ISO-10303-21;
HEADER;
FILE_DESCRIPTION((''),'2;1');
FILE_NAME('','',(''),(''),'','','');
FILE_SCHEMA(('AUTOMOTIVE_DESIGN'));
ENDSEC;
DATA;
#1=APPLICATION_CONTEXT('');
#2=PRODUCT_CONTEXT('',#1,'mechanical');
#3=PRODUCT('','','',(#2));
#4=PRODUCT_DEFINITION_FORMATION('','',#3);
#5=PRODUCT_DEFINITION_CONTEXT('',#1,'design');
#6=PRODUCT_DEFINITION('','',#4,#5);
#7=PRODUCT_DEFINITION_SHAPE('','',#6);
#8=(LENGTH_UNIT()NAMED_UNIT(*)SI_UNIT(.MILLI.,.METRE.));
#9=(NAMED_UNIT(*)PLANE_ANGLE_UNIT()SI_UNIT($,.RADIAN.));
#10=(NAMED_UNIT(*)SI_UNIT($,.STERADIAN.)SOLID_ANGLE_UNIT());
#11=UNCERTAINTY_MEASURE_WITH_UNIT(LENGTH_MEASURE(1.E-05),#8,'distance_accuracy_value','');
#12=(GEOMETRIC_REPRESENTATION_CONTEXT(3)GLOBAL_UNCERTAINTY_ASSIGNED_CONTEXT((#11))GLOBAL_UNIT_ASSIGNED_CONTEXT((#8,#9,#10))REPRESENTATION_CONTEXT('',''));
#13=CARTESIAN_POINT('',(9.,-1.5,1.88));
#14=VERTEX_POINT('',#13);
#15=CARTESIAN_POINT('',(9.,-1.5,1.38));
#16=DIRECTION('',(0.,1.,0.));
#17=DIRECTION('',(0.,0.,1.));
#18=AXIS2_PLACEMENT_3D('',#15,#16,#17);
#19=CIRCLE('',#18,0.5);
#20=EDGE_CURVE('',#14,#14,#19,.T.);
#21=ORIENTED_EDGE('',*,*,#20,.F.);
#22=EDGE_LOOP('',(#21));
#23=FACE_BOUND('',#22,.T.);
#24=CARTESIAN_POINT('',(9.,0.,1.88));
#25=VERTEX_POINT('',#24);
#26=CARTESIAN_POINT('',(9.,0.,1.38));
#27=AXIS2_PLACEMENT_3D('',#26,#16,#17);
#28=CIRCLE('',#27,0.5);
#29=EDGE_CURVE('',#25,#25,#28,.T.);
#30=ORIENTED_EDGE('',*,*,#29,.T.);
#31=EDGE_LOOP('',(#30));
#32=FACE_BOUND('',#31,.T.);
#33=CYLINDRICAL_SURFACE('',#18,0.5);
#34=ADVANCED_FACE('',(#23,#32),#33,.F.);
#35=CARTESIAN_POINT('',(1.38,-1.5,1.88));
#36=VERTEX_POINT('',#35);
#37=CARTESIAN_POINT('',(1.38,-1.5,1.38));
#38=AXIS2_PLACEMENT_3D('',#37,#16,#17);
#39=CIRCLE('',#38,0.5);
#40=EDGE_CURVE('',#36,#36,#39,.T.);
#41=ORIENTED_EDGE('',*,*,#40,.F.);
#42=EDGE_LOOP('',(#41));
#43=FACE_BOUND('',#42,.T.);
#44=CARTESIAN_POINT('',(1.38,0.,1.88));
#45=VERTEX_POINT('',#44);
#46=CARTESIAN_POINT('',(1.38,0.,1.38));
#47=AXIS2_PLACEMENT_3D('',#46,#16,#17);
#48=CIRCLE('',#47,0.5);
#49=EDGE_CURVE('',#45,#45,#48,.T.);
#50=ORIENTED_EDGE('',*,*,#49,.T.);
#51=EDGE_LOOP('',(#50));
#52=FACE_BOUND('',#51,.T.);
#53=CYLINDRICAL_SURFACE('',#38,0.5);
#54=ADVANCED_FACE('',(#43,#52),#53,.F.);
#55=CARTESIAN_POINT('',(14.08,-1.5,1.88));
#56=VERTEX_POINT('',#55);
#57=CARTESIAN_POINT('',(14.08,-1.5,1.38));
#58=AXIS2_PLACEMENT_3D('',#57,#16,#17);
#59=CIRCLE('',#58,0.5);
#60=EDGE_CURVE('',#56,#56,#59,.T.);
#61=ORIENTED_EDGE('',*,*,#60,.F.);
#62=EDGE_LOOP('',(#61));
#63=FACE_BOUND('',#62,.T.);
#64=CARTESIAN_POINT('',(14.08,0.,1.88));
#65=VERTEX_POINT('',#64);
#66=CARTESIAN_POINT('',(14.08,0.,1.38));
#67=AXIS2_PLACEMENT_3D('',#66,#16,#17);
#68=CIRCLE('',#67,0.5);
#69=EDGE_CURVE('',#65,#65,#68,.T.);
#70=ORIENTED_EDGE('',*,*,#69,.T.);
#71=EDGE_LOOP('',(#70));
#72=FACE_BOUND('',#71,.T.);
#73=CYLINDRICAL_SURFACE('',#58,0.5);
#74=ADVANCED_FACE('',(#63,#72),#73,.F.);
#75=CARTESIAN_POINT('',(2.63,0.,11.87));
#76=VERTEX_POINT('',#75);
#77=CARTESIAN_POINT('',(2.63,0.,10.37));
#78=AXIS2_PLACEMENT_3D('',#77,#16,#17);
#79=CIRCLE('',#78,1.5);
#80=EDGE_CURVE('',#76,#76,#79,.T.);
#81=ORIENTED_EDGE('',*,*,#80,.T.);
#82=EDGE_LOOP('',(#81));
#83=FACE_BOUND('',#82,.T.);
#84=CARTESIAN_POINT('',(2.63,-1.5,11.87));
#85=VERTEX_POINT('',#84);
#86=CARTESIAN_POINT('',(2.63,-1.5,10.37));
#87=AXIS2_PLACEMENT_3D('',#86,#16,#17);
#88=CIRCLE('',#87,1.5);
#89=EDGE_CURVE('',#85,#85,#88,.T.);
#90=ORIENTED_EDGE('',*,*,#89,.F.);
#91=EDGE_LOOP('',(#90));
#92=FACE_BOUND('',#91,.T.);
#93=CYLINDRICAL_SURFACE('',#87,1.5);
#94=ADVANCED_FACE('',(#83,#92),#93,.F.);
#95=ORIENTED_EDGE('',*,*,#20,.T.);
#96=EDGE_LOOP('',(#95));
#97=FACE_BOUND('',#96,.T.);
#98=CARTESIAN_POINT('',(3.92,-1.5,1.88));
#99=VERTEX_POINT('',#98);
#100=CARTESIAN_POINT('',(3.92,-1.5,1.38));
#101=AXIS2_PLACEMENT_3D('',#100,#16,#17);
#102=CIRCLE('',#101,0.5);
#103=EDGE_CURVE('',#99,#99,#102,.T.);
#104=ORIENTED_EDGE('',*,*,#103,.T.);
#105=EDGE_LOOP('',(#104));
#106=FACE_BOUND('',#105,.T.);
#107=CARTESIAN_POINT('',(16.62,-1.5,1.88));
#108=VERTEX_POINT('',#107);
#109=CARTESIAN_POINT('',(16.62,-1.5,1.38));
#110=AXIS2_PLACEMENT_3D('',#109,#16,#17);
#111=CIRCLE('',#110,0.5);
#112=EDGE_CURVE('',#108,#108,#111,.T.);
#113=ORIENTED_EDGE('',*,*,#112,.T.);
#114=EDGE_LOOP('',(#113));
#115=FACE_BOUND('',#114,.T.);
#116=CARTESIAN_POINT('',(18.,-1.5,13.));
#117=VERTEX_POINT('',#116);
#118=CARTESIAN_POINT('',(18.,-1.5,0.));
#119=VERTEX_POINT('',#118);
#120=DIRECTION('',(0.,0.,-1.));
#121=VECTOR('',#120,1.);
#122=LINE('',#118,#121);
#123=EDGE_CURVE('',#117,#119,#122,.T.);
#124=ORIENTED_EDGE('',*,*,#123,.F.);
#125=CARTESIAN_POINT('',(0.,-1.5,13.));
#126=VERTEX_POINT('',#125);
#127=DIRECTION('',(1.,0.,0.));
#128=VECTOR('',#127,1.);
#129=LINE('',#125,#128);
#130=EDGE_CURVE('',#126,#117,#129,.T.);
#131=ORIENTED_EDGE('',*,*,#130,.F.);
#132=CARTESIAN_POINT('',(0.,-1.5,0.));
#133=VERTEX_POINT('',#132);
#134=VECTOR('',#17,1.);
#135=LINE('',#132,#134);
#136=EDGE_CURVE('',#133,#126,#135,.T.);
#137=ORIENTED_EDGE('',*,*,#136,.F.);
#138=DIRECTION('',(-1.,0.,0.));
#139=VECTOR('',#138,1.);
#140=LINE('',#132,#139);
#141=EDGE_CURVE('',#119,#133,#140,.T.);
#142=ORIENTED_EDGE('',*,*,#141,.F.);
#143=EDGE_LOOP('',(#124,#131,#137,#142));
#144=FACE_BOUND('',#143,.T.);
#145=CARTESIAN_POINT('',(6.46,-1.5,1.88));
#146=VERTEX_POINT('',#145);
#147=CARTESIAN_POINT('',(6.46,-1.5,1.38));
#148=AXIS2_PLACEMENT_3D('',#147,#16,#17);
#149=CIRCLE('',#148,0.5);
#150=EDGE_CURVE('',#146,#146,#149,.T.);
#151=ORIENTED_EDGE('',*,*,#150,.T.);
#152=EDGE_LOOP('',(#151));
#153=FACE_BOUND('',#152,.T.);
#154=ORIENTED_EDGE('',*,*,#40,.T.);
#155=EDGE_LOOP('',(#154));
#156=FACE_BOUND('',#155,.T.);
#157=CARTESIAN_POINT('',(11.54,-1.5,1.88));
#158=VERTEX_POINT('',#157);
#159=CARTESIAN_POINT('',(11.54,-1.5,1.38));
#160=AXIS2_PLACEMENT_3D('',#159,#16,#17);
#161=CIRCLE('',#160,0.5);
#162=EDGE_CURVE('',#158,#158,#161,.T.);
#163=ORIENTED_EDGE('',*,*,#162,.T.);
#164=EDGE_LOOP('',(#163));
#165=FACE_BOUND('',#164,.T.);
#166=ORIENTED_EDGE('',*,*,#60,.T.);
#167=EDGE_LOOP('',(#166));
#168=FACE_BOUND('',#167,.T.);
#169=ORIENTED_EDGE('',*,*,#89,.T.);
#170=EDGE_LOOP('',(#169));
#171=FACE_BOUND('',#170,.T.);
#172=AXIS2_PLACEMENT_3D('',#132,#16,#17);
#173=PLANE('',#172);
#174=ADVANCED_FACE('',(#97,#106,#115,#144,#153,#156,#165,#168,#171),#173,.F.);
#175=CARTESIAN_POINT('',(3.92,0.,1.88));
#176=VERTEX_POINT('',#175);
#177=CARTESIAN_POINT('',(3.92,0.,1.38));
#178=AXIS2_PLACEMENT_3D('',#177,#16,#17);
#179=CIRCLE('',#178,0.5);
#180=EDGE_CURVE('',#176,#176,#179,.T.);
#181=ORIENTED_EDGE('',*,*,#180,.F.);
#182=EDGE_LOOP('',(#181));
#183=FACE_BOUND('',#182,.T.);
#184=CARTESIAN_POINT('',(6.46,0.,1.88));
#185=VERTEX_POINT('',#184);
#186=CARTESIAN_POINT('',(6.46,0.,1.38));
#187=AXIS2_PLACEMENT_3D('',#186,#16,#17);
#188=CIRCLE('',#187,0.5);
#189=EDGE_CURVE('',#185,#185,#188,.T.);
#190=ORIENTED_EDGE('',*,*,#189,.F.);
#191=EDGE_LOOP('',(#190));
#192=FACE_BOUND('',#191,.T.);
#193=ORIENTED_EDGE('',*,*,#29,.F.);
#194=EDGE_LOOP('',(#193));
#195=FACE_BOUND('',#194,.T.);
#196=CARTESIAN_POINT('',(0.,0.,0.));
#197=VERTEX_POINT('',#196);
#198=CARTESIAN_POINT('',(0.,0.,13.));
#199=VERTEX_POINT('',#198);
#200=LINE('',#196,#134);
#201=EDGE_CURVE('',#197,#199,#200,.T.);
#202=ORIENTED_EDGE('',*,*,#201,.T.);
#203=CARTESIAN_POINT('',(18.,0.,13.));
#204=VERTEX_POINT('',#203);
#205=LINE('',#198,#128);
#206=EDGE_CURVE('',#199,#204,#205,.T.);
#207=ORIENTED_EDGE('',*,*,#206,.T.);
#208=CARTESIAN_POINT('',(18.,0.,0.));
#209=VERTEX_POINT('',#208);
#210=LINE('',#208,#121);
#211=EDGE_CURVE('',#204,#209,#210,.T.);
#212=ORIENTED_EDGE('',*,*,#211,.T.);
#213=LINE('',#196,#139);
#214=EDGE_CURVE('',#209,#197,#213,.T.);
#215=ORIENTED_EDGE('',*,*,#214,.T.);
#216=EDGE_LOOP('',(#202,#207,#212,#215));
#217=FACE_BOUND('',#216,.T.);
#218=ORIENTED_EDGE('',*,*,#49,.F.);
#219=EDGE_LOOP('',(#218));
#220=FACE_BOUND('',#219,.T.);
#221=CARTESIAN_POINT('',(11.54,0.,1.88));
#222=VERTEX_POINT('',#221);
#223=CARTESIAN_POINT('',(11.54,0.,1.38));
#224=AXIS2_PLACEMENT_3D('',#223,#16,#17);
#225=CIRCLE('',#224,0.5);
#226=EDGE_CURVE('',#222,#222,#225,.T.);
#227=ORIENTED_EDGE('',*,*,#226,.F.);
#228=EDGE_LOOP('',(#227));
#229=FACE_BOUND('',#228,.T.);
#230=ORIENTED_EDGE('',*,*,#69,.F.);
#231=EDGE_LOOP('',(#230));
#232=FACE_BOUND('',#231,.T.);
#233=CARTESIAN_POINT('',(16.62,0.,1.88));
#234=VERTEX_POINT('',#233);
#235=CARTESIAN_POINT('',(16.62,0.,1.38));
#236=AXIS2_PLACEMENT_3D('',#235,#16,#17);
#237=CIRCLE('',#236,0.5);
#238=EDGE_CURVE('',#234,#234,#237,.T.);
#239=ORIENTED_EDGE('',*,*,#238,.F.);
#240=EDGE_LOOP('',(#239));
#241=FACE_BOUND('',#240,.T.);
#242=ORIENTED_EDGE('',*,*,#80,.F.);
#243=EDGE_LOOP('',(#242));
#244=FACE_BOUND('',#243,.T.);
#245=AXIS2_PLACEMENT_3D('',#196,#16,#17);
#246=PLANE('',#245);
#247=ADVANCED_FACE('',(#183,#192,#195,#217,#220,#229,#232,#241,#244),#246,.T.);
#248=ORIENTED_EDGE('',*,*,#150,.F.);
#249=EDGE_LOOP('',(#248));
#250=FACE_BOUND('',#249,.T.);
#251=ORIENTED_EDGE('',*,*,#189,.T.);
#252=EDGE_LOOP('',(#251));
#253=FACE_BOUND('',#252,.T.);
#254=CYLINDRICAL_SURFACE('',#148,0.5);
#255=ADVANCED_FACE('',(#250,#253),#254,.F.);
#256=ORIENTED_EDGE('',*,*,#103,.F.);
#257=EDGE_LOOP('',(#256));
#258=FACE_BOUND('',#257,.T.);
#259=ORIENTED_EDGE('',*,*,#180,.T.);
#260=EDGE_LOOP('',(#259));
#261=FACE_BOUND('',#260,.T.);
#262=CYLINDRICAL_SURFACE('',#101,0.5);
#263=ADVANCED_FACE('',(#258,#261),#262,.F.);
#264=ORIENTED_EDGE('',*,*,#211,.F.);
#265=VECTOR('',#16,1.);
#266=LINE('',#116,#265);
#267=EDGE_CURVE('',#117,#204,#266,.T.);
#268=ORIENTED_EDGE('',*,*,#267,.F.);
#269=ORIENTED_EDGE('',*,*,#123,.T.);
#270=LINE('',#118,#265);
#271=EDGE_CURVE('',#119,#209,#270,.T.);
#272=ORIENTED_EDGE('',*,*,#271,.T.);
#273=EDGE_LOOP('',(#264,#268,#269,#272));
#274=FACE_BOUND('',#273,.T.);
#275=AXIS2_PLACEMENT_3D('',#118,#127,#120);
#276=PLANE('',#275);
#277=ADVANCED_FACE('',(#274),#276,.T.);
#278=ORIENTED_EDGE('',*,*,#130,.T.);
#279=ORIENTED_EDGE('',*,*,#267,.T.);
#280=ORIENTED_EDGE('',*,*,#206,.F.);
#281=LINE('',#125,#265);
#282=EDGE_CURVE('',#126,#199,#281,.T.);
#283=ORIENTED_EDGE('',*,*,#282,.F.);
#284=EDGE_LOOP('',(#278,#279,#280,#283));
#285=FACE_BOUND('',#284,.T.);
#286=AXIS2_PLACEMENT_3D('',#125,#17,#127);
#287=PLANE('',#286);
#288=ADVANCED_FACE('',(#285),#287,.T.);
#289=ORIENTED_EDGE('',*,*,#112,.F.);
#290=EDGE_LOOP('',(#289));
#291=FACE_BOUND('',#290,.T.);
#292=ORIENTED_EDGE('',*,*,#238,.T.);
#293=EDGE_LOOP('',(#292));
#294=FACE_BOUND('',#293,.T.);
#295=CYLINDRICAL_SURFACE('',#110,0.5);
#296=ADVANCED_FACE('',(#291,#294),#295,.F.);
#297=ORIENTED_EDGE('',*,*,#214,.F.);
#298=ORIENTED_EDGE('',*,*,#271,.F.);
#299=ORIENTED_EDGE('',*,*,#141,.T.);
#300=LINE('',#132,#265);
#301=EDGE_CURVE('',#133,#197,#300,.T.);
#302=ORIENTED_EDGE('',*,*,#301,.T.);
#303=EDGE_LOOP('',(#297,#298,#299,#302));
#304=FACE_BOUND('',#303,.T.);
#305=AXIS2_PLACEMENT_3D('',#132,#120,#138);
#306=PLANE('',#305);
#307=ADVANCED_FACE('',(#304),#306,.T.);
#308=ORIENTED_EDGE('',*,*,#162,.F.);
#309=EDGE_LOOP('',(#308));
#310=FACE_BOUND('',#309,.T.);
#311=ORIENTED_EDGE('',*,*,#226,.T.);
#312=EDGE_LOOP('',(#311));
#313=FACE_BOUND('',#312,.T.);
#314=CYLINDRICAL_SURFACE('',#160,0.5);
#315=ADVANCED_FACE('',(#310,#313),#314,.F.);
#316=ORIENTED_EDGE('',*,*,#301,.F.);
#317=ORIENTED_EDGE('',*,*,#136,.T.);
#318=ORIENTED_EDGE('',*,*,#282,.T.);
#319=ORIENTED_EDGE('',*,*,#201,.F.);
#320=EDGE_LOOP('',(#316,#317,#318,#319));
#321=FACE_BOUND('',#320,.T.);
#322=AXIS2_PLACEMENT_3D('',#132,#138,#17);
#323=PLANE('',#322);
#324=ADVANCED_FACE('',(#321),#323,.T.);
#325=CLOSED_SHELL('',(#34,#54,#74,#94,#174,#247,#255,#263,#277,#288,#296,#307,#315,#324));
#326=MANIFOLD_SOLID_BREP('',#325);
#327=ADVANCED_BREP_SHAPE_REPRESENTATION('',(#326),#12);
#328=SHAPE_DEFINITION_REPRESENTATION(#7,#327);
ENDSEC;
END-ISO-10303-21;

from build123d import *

# Parameters (mm, degrees)
SKETCH1_W           = 18
SKETCH1_H           = 13
SKETCH1_R           = 0.5
SKETCH1_R_2         = 1.5
BOSS_EXTRUDE1_DEPTH = 1.5


with BuildPart() as part:
    # Sketch1 → Boss-Extrude1 (new body)
    with BuildSketch(Plane(origin=(0, 0, 0), x_dir=(1, 0, 0), z_dir=(0, 1, 0))):
        with Locations((9, -6.5)):
            Rectangle(SKETCH1_W, SKETCH1_H)
        with Locations((1.38, -1.38)):
            Circle(SKETCH1_R, mode=Mode.SUBTRACT)
        with Locations((3.92, -1.38)):
            Circle(SKETCH1_R, mode=Mode.SUBTRACT)
        with Locations((6.46, -1.38)):
            Circle(SKETCH1_R, mode=Mode.SUBTRACT)
        with Locations((9, -1.38)):
            Circle(SKETCH1_R, mode=Mode.SUBTRACT)
        with Locations((11.54, -1.38)):
            Circle(SKETCH1_R, mode=Mode.SUBTRACT)
        with Locations((14.08, -1.38)):
            Circle(SKETCH1_R, mode=Mode.SUBTRACT)
        with Locations((16.62, -1.38)):
            Circle(SKETCH1_R, mode=Mode.SUBTRACT)
        with Locations((2.63, -10.37)):
            Circle(SKETCH1_R_2, mode=Mode.SUBTRACT)
    extrude(amount=-BOSS_EXTRUDE1_DEPTH)


solid = part.part
